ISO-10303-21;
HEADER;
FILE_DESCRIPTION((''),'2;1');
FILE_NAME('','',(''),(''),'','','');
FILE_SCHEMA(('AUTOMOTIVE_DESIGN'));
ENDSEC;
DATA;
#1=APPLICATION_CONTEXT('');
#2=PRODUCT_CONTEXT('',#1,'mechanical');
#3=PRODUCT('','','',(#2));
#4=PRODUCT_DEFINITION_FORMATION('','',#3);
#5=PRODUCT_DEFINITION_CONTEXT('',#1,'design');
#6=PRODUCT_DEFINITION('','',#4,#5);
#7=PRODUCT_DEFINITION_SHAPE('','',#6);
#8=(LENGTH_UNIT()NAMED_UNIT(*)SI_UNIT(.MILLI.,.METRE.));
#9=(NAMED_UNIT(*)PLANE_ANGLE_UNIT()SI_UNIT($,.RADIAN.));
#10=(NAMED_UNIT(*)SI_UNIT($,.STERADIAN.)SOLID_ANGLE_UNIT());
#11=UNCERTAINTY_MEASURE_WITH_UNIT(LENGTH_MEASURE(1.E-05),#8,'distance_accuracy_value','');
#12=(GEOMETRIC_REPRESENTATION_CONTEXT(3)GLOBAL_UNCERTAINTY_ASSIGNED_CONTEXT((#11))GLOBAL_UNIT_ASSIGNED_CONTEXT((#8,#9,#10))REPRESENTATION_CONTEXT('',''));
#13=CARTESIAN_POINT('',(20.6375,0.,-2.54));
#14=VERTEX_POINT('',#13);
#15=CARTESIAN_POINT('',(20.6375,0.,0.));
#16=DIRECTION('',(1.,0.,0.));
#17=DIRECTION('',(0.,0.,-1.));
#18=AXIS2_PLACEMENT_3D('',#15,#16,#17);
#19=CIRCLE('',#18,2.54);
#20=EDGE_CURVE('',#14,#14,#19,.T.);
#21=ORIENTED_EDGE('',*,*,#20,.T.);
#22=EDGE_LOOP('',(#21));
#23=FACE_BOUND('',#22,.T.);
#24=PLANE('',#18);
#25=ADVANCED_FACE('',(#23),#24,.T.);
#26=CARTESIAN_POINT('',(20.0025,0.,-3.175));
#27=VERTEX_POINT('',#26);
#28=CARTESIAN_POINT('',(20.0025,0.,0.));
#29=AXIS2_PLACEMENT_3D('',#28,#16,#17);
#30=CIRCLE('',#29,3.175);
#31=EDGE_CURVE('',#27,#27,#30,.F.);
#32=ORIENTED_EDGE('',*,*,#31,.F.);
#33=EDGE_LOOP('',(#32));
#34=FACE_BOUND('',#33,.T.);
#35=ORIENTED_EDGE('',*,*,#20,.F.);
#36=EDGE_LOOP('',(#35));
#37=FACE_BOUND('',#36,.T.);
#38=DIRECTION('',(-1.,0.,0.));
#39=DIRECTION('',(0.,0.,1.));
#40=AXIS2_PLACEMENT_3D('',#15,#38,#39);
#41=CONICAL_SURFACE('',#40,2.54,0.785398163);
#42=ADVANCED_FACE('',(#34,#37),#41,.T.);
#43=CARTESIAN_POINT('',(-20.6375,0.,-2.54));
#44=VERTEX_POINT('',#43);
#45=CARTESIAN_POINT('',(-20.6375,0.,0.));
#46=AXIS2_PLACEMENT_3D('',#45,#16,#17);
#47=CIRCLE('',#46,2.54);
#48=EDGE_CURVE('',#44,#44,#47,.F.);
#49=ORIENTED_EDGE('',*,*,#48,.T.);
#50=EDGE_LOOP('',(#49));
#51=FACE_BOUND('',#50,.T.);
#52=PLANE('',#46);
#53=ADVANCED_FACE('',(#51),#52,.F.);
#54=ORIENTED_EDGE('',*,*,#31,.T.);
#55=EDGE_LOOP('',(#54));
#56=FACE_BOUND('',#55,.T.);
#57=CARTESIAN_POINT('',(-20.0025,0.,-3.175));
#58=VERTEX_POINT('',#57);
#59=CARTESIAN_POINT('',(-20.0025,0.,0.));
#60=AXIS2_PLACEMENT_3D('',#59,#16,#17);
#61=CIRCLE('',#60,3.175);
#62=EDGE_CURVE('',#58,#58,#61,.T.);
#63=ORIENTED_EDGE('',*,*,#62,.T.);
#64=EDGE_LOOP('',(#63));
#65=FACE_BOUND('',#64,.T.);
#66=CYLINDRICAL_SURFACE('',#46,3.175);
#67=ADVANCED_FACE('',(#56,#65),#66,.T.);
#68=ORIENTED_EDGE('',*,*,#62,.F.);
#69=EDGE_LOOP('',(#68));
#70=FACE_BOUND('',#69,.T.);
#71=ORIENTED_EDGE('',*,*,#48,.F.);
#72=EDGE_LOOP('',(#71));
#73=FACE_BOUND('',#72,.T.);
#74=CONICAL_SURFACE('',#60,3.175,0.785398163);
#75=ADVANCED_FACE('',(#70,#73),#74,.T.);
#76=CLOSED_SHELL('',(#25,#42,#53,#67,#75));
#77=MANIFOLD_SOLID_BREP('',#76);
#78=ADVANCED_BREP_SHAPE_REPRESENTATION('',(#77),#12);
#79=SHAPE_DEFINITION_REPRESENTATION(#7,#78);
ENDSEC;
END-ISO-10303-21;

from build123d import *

# Parameters (mm, degrees)
SKETCH2_R           = 3.175
EXTRUDE1_DEPTH      = 20.6375
EXTRUDE1_DEPTH_BACK = 20.6375
CHAMFER1_SIZE       = 0.635


with BuildPart() as part:
    # Sketch2 → Extrude1 (new body, two sides)
    with BuildSketch(Plane(origin=(0, 0, 0), x_dir=(0, 0, -1), z_dir=(1, 0, 0))) as extrude1_sk:
        Circle(SKETCH2_R)
    extrude(amount=EXTRUDE1_DEPTH)
    extrude(extrude1_sk.sketch, amount=-EXTRUDE1_DEPTH_BACK)

    # Chamfer1
    chamfer1_edges = [part.edges().sort_by_distance(p)[0] for p in [
        (-20.6375, 0, 3.175),
        (20.6375, 0, 3.175),
    ]]
    chamfer(chamfer1_edges, length=CHAMFER1_SIZE)


solid = part.part
